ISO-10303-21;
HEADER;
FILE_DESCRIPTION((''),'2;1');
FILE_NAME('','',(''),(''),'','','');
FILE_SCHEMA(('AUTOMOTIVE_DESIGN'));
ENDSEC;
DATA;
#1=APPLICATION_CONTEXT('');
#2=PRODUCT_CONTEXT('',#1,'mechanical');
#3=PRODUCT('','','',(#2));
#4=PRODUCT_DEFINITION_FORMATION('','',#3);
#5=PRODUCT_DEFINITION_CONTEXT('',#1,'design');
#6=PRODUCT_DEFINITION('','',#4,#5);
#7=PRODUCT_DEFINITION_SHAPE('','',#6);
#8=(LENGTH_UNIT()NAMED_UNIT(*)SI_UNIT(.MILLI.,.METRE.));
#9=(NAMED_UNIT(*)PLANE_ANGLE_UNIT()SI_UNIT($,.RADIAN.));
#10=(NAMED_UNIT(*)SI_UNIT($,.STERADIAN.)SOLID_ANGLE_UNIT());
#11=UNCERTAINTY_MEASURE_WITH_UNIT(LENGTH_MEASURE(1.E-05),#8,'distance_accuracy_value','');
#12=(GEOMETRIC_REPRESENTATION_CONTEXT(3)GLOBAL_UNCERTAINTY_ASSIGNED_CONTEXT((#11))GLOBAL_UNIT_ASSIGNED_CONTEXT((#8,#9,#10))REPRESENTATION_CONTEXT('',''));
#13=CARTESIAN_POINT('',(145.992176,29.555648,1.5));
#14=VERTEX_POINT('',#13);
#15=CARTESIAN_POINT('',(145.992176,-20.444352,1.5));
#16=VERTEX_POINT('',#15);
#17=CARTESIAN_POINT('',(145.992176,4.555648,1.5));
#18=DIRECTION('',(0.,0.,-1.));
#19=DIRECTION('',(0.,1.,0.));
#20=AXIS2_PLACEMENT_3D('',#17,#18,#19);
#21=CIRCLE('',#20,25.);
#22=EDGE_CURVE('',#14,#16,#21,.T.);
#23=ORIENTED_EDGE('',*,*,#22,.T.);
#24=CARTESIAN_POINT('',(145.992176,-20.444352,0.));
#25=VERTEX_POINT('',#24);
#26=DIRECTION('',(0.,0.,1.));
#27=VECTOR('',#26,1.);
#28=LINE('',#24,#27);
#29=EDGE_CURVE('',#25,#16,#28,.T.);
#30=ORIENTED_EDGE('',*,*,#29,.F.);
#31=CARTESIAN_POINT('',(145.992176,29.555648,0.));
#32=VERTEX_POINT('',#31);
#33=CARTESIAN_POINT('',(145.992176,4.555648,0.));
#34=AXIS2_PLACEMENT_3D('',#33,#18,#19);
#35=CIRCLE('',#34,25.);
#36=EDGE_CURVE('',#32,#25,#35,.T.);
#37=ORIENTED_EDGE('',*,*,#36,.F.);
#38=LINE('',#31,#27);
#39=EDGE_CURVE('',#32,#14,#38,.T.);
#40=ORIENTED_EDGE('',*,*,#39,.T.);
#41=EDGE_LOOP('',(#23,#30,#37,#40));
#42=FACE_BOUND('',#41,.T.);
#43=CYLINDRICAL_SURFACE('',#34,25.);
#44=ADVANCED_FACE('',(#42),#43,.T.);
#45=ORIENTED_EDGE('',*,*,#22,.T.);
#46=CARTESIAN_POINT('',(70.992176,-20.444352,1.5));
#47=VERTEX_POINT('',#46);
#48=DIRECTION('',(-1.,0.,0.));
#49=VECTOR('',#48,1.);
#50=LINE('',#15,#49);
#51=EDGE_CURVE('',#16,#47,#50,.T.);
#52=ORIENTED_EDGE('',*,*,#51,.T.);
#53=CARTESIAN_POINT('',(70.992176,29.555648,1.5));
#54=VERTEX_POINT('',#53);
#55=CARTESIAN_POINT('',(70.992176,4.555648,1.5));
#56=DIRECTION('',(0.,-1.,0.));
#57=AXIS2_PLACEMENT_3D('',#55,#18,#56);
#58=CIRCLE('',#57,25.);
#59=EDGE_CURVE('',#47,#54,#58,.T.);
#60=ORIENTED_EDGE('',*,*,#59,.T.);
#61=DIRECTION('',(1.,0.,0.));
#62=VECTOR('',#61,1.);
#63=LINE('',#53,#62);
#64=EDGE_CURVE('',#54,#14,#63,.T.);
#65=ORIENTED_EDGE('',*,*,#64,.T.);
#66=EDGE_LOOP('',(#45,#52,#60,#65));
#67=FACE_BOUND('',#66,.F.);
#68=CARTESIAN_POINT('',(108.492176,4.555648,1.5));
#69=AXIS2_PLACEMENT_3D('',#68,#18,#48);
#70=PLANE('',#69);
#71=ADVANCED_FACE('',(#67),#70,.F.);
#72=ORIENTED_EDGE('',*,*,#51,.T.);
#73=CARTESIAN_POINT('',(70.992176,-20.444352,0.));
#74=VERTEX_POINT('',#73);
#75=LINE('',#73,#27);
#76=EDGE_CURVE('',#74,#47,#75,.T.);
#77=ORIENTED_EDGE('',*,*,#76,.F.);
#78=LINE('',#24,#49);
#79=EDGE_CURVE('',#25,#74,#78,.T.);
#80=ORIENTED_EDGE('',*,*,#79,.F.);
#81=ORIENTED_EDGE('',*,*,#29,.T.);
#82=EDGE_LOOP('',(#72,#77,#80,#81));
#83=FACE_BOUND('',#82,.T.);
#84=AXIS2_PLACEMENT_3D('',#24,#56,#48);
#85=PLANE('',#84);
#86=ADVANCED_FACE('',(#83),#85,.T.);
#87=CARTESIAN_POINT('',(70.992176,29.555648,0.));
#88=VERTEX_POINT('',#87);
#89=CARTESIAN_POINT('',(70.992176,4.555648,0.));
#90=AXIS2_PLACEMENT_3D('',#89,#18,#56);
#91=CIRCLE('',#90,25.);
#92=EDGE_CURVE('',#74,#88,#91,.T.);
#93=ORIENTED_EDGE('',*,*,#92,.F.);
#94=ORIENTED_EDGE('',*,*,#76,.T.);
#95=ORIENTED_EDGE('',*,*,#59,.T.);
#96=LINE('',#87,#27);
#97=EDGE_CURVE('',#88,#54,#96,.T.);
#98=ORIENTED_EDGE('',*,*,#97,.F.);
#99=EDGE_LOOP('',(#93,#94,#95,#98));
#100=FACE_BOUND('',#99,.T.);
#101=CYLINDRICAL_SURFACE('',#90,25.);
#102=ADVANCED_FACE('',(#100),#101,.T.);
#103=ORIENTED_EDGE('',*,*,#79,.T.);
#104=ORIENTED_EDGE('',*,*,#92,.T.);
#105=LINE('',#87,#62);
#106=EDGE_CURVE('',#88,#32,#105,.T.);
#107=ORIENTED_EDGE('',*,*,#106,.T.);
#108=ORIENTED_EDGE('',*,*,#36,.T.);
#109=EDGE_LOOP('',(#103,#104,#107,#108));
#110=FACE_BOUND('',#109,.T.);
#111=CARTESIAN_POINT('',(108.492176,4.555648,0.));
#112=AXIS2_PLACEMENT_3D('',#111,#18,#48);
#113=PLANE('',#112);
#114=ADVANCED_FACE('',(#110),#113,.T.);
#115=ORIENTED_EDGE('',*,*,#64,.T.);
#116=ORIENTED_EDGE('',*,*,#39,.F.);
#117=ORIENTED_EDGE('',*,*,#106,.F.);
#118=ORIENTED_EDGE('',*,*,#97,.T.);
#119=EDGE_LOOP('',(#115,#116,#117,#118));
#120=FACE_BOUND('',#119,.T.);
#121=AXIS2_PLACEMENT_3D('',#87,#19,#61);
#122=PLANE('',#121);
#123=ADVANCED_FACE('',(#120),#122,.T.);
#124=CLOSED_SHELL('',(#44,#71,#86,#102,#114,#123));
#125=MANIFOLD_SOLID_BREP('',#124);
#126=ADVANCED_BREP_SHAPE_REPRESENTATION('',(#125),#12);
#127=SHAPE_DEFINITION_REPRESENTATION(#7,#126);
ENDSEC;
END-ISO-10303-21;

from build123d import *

# Parameters (mm, degrees)
BOSS_EXTRUDE1_DEPTH = 1.5


with BuildPart() as part:
    # Sketch1 → Boss-Extrude1 (new body)
    with BuildSketch(Plane.XY):
        with BuildLine():
            Line((70.992176204, 29.555648471), (145.992176204, 29.555648471))
            ThreePointArc((145.992176204, 29.555648471), (170.992176204, 4.555648471), (145.992176204, -20.444351529))
            Line((145.992176204, -20.444351529), (70.992176204, -20.444351529))
            ThreePointArc((70.992176204, -20.444351529), (45.992176204, 4.555648471), (70.992176204, 29.555648471))
        make_face()
    extrude(amount=BOSS_EXTRUDE1_DEPTH)


solid = part.part
